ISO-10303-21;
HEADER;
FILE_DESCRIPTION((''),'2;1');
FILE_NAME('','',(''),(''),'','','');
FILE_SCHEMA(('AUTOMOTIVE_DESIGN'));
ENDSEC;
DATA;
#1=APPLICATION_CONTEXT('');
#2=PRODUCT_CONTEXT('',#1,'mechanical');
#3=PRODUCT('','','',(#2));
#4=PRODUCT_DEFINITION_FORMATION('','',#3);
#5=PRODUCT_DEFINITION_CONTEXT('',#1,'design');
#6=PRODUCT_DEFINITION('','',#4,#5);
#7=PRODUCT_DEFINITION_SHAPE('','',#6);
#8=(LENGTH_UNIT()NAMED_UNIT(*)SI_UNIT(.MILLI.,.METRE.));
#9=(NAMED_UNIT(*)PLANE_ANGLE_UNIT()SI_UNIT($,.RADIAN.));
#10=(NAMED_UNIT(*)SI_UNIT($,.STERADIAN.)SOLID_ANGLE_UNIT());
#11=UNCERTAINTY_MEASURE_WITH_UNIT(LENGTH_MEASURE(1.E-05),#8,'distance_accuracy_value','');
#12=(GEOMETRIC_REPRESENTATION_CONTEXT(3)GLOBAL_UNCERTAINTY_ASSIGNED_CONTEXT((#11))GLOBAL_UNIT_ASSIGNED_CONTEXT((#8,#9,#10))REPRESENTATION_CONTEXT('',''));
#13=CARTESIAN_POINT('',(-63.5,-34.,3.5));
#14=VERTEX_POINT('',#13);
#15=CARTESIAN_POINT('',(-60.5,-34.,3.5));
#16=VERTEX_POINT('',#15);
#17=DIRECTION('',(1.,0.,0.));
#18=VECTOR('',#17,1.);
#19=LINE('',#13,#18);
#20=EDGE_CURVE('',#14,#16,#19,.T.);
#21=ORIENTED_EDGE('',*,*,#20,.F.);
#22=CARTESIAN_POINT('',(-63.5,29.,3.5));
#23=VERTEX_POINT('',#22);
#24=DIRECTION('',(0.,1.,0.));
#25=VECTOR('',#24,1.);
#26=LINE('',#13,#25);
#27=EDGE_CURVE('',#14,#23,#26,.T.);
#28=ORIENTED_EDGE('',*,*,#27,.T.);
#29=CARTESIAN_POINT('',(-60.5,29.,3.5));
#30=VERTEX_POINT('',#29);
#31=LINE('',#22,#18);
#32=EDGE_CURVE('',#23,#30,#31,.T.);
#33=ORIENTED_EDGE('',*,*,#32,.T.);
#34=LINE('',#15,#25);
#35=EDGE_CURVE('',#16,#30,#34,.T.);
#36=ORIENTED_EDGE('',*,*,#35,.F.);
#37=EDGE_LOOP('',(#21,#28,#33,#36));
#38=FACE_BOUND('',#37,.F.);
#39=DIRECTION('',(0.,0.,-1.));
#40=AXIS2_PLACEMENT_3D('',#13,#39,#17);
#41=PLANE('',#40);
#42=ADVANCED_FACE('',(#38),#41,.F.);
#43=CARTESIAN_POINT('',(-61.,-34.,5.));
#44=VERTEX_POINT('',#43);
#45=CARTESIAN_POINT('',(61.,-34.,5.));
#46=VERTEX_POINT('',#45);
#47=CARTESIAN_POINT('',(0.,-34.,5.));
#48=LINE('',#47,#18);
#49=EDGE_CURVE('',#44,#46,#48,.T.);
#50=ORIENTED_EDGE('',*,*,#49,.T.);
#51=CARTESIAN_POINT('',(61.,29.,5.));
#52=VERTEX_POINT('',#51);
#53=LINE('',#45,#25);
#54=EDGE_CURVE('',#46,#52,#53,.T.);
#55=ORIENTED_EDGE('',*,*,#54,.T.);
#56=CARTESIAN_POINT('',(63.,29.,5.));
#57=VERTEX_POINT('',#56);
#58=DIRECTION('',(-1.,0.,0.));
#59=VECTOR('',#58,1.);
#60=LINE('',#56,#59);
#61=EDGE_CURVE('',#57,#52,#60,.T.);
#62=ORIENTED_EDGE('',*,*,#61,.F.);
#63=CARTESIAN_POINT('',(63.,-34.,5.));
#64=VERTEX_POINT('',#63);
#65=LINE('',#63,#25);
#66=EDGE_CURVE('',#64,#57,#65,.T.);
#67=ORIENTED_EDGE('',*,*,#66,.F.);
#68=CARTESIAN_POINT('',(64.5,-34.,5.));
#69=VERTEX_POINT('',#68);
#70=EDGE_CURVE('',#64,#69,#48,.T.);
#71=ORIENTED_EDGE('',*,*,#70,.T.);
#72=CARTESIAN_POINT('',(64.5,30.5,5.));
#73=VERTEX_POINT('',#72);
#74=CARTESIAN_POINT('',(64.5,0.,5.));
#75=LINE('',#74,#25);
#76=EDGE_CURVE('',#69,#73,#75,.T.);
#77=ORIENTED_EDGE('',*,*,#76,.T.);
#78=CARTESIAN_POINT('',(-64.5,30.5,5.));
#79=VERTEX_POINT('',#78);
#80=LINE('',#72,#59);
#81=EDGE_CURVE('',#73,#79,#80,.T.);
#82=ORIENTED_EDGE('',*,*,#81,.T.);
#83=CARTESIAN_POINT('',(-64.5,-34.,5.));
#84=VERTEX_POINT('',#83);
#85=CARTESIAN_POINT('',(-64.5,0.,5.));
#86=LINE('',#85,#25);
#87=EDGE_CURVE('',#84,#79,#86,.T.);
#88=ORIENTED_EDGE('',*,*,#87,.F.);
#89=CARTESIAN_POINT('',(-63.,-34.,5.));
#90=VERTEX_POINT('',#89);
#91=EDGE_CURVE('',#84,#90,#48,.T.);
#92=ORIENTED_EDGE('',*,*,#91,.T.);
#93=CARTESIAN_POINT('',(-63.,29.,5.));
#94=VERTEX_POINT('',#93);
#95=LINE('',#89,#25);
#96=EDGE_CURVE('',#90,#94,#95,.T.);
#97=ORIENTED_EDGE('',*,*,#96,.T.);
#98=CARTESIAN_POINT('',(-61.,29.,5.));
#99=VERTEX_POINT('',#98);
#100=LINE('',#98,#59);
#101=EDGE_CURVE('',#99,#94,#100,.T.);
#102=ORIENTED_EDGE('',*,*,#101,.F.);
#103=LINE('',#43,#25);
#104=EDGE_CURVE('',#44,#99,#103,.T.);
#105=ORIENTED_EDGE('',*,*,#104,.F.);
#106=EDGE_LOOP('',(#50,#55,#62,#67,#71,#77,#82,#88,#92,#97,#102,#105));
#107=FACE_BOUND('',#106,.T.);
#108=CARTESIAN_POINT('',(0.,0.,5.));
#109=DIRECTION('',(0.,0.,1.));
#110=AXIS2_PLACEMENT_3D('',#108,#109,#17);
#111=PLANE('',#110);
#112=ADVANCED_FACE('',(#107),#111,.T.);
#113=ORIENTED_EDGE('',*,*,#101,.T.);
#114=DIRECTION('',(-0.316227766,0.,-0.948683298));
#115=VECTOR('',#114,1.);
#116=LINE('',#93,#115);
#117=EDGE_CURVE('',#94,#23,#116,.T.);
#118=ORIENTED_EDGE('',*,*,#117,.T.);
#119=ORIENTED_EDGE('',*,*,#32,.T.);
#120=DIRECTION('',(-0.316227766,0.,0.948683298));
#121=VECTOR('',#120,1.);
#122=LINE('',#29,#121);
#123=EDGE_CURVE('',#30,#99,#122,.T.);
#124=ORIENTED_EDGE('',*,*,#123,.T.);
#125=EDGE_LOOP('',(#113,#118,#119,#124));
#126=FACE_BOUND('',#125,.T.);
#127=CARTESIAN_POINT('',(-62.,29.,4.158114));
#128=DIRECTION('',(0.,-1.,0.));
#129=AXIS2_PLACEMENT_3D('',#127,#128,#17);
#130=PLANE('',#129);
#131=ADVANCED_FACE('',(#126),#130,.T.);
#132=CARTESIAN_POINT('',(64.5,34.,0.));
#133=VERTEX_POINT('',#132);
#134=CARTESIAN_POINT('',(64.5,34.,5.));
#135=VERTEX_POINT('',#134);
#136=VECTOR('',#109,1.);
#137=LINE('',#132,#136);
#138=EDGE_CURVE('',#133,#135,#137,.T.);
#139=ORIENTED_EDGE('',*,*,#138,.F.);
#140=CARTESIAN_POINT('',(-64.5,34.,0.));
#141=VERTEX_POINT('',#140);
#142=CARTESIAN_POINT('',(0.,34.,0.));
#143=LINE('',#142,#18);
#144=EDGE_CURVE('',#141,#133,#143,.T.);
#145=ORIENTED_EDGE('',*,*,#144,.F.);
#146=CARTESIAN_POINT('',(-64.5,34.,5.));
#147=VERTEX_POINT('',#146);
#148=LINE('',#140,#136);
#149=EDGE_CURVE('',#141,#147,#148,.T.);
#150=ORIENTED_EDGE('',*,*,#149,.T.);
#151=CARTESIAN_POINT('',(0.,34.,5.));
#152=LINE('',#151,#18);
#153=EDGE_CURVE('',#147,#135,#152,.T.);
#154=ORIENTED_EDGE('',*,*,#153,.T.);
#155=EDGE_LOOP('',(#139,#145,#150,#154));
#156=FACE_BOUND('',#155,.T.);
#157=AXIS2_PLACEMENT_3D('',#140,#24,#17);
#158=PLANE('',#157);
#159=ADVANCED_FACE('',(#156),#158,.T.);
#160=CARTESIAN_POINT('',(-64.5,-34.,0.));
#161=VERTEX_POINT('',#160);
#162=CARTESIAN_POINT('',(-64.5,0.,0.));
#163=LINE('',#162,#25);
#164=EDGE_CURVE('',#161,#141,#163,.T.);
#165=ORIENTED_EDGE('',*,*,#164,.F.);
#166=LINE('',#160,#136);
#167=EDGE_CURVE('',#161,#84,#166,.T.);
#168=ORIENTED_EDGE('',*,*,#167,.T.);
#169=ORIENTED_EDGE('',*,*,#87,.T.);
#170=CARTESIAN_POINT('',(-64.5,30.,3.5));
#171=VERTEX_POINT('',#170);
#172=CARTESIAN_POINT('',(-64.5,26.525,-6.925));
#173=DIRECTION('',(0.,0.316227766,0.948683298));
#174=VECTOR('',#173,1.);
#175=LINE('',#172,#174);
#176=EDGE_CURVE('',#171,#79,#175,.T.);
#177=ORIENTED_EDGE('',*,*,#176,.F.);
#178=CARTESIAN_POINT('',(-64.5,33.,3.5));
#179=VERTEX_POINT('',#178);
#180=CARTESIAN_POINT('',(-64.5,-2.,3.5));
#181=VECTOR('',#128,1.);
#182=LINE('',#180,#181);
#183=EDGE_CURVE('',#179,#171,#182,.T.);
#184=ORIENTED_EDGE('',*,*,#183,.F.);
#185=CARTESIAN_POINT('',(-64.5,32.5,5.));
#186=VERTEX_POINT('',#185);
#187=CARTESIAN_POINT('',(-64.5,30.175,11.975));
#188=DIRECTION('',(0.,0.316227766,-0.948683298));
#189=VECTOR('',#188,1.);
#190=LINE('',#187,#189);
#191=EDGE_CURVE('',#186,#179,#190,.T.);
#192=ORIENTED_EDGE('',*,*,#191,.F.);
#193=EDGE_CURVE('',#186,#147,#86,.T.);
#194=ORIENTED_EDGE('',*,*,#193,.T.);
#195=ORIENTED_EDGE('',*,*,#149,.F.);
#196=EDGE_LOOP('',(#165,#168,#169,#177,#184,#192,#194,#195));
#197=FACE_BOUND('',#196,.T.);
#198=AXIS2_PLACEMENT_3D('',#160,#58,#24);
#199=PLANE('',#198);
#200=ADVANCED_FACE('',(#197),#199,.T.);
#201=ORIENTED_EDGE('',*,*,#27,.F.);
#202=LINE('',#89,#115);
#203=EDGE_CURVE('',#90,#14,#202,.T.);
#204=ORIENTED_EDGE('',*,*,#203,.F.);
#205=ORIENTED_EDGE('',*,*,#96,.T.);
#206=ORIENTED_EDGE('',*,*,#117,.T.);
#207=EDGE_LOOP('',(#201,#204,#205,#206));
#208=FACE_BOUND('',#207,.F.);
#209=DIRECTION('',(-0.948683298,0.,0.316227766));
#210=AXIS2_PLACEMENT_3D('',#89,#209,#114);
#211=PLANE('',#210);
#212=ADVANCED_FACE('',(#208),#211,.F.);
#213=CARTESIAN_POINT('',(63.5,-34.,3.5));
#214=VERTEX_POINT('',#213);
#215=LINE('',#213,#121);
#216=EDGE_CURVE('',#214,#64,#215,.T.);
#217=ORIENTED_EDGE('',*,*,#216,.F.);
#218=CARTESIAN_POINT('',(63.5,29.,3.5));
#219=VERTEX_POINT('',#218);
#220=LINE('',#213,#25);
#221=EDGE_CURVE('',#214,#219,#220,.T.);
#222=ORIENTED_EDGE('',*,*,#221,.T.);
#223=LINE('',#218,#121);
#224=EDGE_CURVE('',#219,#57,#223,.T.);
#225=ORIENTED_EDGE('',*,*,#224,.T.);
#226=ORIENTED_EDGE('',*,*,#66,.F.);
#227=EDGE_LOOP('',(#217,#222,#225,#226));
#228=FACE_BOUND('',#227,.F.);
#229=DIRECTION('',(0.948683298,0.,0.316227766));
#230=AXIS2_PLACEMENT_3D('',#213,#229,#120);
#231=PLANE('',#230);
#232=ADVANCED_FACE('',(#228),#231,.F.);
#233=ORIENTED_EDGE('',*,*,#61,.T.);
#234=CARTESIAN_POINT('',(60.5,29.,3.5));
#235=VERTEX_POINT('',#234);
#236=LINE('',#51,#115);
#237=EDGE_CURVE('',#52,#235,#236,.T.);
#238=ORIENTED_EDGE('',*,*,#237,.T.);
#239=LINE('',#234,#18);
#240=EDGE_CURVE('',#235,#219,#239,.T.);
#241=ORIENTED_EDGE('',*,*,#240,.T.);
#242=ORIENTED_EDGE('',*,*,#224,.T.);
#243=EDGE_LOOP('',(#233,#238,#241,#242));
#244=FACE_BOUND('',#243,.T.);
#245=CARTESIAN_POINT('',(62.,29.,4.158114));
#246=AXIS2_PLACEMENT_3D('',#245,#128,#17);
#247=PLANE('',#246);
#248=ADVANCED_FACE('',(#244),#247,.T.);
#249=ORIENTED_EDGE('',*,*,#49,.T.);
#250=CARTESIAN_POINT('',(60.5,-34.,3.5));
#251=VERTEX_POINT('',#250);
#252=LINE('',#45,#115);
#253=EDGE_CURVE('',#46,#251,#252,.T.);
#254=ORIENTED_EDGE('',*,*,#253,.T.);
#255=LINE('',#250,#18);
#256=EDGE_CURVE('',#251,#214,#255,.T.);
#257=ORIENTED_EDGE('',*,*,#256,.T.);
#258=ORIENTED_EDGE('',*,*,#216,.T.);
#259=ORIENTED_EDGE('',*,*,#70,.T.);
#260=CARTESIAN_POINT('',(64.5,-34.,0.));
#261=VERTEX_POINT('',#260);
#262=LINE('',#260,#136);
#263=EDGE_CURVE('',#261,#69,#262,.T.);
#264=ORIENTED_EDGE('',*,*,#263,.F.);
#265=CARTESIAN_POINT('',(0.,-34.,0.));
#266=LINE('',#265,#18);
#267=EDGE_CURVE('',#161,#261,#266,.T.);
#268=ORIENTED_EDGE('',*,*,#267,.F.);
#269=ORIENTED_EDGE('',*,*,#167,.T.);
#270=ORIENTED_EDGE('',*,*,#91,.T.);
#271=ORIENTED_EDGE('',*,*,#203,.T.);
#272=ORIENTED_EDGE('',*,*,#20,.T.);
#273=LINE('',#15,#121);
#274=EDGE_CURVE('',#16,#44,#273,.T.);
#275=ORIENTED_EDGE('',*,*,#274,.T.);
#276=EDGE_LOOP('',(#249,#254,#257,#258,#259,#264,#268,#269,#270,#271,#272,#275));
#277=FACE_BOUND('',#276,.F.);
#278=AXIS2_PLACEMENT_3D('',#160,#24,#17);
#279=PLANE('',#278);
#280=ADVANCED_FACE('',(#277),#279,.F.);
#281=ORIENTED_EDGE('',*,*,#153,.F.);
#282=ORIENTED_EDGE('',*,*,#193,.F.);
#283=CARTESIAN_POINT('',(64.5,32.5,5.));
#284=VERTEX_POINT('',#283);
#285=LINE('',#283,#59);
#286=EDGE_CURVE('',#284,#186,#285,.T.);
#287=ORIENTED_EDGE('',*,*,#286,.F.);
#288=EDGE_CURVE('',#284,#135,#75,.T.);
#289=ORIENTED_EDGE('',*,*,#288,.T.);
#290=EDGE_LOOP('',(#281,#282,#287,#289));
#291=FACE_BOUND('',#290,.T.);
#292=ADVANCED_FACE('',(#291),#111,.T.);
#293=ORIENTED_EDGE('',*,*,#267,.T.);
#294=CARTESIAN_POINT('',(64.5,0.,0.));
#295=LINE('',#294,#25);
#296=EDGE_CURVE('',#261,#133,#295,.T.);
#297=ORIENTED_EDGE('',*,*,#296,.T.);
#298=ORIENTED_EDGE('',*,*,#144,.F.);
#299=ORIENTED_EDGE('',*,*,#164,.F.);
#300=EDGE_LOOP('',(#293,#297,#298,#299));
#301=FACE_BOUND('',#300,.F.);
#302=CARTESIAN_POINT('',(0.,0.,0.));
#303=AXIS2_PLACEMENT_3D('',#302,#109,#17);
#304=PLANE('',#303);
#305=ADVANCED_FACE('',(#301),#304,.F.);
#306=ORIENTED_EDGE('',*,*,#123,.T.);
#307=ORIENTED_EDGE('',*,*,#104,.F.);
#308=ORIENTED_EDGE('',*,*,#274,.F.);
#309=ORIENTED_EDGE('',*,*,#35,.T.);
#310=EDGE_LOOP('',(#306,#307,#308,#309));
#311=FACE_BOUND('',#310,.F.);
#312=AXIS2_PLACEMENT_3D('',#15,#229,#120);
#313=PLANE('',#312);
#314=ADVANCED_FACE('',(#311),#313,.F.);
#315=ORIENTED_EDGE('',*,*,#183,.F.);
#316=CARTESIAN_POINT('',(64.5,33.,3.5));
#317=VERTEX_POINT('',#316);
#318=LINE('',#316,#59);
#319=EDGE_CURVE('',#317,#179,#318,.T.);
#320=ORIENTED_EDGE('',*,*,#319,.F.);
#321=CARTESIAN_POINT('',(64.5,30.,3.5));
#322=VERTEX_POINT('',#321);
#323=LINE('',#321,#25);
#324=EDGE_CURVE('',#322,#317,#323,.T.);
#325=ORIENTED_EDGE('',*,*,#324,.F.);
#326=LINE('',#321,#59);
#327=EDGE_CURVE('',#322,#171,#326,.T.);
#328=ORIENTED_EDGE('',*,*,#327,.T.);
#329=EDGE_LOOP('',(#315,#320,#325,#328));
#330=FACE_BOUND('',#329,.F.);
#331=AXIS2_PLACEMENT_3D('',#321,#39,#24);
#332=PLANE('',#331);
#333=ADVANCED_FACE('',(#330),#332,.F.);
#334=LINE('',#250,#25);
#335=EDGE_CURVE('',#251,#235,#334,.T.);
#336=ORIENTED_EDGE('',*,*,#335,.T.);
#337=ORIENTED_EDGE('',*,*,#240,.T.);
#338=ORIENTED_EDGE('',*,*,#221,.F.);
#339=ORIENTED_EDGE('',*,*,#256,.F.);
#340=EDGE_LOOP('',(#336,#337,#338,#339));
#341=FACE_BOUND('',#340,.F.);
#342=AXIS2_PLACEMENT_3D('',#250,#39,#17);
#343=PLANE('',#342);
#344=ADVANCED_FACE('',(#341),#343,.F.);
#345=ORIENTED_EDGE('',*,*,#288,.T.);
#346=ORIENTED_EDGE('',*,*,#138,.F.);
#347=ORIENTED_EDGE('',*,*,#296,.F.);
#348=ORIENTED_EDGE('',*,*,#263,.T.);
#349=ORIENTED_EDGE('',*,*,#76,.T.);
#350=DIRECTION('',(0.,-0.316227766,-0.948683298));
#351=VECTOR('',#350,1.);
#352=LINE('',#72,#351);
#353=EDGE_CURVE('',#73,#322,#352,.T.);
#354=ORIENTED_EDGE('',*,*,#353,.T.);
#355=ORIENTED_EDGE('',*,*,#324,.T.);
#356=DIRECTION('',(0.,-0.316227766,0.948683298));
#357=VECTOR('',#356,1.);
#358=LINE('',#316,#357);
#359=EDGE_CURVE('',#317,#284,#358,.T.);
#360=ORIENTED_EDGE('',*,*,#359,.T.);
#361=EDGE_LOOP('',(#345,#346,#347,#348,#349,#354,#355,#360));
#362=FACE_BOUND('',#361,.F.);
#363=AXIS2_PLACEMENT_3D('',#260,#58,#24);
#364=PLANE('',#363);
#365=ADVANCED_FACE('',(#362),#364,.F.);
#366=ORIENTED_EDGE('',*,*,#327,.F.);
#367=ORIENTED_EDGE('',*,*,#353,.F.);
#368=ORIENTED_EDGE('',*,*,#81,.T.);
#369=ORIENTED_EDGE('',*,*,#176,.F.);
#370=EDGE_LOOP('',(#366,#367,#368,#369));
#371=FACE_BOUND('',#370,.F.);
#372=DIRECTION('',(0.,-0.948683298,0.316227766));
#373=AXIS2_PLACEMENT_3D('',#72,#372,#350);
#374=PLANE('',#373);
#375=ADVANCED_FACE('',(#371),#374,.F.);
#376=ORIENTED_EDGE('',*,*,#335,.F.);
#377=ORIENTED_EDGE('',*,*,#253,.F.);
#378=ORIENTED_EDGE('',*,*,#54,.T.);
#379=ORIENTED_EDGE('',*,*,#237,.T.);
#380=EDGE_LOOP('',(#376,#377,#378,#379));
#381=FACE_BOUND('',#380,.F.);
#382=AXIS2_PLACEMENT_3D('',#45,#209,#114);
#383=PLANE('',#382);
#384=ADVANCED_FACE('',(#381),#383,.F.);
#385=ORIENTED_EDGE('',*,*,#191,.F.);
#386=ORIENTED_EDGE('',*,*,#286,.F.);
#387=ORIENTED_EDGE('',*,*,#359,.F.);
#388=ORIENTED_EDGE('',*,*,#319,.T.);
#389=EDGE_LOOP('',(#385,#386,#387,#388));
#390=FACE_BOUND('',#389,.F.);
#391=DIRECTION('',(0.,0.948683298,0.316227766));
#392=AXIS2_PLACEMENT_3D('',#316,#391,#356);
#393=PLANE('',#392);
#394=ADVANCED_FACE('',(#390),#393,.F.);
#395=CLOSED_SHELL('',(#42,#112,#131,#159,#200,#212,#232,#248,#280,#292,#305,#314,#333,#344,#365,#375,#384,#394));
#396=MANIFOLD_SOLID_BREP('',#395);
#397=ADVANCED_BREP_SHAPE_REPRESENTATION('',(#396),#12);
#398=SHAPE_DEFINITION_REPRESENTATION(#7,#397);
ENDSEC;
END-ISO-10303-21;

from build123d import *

# Parameters (mm, degrees)
F0_W     = 129
F0_H     = 68
F1_DEPTH = 5
F3_DEPTH = 63
F5_DEPTH = 129.001


with BuildPart() as f1:
    # F0 (on Top) → F1 (new body)
    with BuildSketch(Plane.XY):
        Rectangle(F0_W, F0_H)
    extrude(amount=F1_DEPTH)

    # F2 (on face) → F3 (cut)
    with BuildSketch(Plane.XZ.offset(34)):
        Polygon((63, 5), (61, 5), (60.5, 3.5), (63.5, 3.5), align=None)
        Polygon((-61, 5), (-63, 5), (-63.5, 3.5), (-60.5, 3.5), align=None)
    extrude(amount=-F3_DEPTH, mode=Mode.SUBTRACT)

    # F4 (on face) → F5 (cut, through all)
    with BuildSketch(Plane.YZ.offset(64.5)):
        Polygon((33, 3.5), (32.5, 5), (30.5, 5), (30, 3.5), align=None)
    extrude(amount=-F5_DEPTH, mode=Mode.SUBTRACT)


solid = f1.part
